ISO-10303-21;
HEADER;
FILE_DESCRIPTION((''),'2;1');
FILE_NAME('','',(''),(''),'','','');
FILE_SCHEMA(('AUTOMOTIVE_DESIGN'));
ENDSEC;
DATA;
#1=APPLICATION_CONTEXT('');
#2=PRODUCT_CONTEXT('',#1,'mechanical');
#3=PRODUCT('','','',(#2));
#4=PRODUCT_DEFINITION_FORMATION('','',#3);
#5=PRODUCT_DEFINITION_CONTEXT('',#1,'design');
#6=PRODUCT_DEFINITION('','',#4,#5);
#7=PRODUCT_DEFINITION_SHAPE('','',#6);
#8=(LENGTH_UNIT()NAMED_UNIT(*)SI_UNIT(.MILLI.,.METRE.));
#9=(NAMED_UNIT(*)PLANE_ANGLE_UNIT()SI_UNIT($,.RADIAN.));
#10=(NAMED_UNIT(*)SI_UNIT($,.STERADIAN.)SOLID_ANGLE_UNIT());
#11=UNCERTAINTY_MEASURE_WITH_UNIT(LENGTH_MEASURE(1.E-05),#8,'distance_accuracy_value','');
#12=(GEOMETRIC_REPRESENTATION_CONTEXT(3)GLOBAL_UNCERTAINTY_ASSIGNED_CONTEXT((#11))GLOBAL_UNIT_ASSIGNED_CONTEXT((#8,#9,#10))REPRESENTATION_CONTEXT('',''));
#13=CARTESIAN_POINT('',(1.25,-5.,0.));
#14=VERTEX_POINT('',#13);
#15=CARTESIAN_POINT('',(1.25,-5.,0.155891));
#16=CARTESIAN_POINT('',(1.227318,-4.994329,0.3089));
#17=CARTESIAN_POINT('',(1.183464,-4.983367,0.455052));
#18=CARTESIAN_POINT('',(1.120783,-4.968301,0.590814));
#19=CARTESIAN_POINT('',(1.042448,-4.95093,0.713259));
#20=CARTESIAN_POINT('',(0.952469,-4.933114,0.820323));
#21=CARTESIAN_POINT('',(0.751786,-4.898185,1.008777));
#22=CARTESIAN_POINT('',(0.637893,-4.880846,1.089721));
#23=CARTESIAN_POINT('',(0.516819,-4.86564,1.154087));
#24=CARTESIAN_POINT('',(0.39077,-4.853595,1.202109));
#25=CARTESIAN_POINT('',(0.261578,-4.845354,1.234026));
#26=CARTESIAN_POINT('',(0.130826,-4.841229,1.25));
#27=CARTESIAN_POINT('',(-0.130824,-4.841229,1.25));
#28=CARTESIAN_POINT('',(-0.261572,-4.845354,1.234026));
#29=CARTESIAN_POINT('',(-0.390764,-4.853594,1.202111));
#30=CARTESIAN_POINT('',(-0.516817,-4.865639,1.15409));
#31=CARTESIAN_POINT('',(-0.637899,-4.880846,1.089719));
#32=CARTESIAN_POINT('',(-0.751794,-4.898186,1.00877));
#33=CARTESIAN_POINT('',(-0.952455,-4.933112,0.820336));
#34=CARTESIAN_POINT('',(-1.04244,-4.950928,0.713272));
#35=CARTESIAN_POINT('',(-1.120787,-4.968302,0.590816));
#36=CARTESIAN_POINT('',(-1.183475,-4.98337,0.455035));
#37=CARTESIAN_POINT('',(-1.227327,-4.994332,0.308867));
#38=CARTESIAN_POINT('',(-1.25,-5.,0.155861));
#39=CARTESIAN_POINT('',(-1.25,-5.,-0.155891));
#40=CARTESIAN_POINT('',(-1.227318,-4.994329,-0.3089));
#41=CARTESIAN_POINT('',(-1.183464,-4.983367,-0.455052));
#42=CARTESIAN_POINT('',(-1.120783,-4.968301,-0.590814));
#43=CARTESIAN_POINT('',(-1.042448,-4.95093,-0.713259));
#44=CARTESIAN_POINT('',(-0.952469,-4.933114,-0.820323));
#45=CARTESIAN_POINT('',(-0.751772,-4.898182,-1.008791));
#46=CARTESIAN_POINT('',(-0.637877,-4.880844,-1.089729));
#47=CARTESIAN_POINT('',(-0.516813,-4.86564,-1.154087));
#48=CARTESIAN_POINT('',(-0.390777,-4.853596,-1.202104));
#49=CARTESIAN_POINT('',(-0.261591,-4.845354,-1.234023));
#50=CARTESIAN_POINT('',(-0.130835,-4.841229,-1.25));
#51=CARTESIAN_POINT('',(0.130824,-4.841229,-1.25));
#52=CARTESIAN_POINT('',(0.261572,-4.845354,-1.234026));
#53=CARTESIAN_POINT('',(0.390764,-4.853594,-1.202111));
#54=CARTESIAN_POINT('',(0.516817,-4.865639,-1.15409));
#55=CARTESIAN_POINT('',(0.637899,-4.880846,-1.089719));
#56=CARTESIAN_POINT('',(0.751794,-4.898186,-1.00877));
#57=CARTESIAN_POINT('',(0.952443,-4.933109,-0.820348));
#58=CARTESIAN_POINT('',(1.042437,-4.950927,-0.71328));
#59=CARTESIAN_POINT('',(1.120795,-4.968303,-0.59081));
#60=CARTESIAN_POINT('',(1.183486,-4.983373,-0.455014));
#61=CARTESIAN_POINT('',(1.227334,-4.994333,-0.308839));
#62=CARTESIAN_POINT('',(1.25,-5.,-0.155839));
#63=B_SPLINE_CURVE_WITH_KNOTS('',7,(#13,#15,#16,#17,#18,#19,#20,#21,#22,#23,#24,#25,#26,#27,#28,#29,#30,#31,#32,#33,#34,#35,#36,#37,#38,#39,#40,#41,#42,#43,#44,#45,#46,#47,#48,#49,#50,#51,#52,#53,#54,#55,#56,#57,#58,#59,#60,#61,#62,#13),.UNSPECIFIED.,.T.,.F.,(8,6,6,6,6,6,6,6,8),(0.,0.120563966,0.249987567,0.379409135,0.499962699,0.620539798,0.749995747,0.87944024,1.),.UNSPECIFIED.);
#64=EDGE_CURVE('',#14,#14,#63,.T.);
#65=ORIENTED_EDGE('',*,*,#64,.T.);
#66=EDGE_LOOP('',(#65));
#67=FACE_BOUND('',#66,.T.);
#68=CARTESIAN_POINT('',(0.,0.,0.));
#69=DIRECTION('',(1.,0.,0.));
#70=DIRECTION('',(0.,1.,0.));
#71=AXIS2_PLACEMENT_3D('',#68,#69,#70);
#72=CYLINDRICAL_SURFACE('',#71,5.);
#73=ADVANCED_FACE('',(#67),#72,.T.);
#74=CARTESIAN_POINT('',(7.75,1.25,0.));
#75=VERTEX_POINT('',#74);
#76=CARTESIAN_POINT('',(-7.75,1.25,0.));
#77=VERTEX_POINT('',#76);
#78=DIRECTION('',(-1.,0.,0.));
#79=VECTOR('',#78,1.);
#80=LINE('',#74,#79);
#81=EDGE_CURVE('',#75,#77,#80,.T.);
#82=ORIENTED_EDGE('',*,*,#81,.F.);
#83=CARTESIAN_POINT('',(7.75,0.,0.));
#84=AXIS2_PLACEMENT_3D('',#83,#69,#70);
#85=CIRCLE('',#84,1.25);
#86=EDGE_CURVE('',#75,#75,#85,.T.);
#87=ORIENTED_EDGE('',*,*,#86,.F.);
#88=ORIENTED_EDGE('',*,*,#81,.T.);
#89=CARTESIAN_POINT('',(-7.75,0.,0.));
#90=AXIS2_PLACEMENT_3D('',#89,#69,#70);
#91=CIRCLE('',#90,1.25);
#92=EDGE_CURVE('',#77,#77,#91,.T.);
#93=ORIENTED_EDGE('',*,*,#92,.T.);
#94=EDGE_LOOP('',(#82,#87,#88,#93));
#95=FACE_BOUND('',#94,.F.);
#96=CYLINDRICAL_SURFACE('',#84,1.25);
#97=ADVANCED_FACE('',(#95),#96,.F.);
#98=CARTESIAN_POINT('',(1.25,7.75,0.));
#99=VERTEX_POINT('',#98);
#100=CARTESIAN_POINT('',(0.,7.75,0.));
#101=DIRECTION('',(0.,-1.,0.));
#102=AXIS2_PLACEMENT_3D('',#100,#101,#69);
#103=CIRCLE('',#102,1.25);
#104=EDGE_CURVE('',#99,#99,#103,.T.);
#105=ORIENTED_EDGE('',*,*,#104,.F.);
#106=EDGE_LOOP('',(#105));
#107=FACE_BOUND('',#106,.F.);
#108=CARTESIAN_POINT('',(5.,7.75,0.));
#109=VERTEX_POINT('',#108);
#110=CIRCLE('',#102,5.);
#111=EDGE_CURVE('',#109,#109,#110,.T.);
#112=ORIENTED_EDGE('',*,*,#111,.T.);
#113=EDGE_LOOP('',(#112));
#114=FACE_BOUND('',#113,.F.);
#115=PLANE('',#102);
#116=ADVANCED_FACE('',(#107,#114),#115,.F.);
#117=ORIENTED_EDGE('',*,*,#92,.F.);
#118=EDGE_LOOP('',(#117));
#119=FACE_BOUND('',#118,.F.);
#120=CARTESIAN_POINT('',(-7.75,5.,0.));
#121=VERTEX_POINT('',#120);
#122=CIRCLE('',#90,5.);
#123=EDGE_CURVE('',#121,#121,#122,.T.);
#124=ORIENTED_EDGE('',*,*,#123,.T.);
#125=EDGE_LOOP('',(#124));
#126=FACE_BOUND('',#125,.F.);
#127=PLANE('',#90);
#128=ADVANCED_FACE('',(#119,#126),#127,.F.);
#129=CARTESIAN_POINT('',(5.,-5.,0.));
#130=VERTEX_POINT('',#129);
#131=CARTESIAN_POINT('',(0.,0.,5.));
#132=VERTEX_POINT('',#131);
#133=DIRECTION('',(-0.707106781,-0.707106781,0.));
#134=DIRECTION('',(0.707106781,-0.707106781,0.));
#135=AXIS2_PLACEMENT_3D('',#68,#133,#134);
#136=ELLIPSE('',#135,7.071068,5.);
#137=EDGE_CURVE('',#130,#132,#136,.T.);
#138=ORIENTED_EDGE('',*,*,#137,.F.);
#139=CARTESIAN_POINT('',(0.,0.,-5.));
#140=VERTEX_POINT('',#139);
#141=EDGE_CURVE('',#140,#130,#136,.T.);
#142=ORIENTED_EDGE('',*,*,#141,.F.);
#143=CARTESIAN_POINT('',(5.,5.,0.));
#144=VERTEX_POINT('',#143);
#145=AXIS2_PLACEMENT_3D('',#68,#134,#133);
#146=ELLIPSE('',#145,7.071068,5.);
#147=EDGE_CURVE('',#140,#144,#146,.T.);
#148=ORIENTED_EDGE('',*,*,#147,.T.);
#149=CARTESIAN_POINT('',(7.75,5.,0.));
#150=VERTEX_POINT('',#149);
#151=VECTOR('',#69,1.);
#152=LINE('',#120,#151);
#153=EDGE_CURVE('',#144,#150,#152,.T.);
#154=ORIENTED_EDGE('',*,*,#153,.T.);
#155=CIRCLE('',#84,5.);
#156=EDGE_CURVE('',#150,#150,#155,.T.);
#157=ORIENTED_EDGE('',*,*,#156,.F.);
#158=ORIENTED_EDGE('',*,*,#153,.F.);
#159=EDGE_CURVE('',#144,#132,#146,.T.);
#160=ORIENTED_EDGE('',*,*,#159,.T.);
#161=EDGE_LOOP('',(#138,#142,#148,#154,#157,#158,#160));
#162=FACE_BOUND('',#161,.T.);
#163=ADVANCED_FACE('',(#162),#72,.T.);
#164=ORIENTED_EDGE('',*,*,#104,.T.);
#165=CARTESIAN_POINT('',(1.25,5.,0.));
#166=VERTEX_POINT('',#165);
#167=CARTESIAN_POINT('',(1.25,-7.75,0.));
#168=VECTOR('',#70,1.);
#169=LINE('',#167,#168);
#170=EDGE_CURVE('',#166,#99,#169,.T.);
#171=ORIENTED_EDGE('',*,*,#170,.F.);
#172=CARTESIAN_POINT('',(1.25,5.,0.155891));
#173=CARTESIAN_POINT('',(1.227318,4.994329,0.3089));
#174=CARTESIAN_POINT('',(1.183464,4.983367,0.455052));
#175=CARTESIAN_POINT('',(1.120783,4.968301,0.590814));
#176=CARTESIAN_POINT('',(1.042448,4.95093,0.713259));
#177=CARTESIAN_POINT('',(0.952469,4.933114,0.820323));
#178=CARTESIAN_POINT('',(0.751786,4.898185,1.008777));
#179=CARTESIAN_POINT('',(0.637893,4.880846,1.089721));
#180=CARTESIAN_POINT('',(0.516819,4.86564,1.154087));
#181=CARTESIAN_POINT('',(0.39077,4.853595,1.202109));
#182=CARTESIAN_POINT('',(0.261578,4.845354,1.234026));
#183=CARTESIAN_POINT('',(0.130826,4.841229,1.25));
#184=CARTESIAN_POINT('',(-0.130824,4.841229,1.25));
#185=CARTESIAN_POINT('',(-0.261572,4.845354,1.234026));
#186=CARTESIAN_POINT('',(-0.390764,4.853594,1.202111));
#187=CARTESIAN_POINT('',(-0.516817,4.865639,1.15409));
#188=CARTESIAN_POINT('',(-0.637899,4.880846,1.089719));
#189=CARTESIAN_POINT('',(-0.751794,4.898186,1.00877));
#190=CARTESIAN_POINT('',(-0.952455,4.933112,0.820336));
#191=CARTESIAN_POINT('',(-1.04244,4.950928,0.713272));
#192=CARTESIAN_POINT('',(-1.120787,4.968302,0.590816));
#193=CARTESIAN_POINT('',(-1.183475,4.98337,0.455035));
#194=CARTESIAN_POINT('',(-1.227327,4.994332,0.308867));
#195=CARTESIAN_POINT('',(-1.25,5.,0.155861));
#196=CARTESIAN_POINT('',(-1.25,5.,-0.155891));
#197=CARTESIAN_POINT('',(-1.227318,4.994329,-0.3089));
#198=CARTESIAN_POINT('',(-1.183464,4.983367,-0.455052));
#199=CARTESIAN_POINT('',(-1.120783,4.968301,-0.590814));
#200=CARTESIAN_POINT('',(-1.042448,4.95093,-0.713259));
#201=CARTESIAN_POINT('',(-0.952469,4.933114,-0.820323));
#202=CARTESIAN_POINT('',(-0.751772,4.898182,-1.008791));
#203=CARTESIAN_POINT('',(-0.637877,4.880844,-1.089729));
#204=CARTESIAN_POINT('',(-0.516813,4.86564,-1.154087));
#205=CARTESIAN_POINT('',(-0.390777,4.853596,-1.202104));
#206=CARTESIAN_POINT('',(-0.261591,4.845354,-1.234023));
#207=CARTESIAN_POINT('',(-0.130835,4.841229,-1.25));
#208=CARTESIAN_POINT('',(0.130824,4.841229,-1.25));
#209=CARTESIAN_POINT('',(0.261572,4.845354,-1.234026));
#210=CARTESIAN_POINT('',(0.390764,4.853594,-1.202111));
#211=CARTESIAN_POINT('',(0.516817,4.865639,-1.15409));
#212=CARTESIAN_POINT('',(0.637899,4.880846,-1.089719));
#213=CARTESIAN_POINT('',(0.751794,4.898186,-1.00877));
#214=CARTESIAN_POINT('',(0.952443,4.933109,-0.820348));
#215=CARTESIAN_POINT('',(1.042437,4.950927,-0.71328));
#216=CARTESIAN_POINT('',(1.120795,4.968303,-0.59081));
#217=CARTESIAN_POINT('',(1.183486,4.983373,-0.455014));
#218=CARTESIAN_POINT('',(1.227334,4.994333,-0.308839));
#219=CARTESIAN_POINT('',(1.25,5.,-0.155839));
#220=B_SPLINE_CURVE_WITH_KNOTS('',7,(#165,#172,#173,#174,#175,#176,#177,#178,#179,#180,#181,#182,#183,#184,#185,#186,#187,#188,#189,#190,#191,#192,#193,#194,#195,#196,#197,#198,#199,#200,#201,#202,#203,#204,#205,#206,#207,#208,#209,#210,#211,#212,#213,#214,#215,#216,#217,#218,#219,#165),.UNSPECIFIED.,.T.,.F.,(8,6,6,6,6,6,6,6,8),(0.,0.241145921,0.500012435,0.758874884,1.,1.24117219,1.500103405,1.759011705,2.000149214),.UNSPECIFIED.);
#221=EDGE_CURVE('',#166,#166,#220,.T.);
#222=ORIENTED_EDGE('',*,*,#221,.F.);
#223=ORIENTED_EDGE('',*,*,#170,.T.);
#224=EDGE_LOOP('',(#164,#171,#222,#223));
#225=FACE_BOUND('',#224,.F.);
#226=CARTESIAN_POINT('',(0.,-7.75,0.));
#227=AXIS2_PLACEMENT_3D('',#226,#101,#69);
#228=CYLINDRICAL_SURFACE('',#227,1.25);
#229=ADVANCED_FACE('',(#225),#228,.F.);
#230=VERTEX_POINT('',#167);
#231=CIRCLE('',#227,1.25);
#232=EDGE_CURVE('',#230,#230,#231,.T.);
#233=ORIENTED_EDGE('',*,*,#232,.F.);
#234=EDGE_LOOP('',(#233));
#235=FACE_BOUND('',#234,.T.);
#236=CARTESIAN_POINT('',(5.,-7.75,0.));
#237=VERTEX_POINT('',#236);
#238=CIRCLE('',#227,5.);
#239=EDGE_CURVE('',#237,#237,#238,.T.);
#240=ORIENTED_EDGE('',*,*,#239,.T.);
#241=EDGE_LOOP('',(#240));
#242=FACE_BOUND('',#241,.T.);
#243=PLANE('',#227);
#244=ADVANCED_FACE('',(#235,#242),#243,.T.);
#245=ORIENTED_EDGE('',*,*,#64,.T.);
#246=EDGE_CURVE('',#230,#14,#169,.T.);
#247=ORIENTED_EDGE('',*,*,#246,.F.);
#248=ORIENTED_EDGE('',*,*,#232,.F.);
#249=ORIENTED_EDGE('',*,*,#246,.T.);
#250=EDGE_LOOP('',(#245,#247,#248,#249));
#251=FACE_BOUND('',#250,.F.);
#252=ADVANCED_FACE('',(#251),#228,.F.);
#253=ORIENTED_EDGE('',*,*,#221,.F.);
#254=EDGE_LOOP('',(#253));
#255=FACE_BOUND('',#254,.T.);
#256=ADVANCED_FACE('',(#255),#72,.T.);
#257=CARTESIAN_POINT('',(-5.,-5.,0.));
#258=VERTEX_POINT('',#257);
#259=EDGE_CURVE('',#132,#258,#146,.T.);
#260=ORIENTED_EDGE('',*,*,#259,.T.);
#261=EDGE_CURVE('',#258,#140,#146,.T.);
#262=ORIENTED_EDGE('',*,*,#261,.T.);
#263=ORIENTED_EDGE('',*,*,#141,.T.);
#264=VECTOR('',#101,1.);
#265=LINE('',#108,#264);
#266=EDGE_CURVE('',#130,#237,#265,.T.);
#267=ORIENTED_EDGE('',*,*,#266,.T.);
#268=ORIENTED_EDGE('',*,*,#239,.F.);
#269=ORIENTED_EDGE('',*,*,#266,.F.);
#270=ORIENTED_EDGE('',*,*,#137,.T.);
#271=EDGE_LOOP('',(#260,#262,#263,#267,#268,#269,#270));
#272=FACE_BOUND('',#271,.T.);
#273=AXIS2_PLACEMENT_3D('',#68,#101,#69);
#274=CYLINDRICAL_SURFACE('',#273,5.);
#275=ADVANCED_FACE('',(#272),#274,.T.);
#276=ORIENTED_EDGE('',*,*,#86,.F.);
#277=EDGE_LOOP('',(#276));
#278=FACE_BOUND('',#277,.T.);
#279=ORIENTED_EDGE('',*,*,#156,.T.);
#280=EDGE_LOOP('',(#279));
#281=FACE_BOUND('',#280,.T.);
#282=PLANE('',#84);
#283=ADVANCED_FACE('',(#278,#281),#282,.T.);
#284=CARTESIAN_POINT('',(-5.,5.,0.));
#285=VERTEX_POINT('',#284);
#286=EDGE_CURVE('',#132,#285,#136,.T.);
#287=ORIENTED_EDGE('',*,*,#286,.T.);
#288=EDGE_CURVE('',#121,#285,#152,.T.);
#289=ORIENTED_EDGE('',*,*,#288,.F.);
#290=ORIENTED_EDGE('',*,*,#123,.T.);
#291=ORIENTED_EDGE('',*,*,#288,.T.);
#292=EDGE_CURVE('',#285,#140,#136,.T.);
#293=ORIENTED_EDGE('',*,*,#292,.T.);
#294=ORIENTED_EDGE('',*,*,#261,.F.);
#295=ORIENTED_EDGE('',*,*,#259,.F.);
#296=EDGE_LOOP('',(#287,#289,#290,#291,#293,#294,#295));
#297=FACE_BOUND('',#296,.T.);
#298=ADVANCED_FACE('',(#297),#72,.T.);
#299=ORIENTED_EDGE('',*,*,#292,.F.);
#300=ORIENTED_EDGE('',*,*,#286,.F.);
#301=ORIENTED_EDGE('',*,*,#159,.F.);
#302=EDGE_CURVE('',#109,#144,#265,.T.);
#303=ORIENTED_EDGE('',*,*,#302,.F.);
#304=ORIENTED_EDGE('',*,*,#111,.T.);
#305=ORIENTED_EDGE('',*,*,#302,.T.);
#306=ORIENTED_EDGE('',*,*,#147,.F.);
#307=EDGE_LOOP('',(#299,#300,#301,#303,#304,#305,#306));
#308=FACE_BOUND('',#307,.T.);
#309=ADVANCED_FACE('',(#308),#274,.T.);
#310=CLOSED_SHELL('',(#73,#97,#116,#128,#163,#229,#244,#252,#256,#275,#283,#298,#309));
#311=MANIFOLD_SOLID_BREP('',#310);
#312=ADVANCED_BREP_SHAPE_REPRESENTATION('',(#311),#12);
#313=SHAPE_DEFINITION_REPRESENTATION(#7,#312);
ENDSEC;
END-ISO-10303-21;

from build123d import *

# Parameters (mm, degrees)
F0_R     = 5
F1_DEPTH = 7.75
F2_R     = 1.25
F3_DEPTH = 25
F4_R     = 5
F5_DEPTH = 7.75
F6_R     = 1.25
F7_DEPTH = 25


with BuildPart() as f1:
    # F0 (on Front) → F1 (new body, symmetric)
    with BuildSketch(Plane.XZ):
        Circle(F0_R)
    extrude(amount=F1_DEPTH, both=True)

    # F2 (on face) → F3 (cut)
    with BuildSketch(Plane.XZ.offset(7.75)):
        Circle(F2_R)
    extrude(amount=-F3_DEPTH, mode=Mode.SUBTRACT)

    # F4 (on Right) → F5 (join, symmetric)
    with BuildSketch(Plane.YZ):
        Circle(F4_R)
    extrude(amount=F5_DEPTH, both=True)

    # F6 (on face) → F7 (cut)
    with BuildSketch(Plane.YZ.offset(7.75)):
        Circle(F6_R)
    extrude(amount=-F7_DEPTH, mode=Mode.SUBTRACT)


solid = f1.part
